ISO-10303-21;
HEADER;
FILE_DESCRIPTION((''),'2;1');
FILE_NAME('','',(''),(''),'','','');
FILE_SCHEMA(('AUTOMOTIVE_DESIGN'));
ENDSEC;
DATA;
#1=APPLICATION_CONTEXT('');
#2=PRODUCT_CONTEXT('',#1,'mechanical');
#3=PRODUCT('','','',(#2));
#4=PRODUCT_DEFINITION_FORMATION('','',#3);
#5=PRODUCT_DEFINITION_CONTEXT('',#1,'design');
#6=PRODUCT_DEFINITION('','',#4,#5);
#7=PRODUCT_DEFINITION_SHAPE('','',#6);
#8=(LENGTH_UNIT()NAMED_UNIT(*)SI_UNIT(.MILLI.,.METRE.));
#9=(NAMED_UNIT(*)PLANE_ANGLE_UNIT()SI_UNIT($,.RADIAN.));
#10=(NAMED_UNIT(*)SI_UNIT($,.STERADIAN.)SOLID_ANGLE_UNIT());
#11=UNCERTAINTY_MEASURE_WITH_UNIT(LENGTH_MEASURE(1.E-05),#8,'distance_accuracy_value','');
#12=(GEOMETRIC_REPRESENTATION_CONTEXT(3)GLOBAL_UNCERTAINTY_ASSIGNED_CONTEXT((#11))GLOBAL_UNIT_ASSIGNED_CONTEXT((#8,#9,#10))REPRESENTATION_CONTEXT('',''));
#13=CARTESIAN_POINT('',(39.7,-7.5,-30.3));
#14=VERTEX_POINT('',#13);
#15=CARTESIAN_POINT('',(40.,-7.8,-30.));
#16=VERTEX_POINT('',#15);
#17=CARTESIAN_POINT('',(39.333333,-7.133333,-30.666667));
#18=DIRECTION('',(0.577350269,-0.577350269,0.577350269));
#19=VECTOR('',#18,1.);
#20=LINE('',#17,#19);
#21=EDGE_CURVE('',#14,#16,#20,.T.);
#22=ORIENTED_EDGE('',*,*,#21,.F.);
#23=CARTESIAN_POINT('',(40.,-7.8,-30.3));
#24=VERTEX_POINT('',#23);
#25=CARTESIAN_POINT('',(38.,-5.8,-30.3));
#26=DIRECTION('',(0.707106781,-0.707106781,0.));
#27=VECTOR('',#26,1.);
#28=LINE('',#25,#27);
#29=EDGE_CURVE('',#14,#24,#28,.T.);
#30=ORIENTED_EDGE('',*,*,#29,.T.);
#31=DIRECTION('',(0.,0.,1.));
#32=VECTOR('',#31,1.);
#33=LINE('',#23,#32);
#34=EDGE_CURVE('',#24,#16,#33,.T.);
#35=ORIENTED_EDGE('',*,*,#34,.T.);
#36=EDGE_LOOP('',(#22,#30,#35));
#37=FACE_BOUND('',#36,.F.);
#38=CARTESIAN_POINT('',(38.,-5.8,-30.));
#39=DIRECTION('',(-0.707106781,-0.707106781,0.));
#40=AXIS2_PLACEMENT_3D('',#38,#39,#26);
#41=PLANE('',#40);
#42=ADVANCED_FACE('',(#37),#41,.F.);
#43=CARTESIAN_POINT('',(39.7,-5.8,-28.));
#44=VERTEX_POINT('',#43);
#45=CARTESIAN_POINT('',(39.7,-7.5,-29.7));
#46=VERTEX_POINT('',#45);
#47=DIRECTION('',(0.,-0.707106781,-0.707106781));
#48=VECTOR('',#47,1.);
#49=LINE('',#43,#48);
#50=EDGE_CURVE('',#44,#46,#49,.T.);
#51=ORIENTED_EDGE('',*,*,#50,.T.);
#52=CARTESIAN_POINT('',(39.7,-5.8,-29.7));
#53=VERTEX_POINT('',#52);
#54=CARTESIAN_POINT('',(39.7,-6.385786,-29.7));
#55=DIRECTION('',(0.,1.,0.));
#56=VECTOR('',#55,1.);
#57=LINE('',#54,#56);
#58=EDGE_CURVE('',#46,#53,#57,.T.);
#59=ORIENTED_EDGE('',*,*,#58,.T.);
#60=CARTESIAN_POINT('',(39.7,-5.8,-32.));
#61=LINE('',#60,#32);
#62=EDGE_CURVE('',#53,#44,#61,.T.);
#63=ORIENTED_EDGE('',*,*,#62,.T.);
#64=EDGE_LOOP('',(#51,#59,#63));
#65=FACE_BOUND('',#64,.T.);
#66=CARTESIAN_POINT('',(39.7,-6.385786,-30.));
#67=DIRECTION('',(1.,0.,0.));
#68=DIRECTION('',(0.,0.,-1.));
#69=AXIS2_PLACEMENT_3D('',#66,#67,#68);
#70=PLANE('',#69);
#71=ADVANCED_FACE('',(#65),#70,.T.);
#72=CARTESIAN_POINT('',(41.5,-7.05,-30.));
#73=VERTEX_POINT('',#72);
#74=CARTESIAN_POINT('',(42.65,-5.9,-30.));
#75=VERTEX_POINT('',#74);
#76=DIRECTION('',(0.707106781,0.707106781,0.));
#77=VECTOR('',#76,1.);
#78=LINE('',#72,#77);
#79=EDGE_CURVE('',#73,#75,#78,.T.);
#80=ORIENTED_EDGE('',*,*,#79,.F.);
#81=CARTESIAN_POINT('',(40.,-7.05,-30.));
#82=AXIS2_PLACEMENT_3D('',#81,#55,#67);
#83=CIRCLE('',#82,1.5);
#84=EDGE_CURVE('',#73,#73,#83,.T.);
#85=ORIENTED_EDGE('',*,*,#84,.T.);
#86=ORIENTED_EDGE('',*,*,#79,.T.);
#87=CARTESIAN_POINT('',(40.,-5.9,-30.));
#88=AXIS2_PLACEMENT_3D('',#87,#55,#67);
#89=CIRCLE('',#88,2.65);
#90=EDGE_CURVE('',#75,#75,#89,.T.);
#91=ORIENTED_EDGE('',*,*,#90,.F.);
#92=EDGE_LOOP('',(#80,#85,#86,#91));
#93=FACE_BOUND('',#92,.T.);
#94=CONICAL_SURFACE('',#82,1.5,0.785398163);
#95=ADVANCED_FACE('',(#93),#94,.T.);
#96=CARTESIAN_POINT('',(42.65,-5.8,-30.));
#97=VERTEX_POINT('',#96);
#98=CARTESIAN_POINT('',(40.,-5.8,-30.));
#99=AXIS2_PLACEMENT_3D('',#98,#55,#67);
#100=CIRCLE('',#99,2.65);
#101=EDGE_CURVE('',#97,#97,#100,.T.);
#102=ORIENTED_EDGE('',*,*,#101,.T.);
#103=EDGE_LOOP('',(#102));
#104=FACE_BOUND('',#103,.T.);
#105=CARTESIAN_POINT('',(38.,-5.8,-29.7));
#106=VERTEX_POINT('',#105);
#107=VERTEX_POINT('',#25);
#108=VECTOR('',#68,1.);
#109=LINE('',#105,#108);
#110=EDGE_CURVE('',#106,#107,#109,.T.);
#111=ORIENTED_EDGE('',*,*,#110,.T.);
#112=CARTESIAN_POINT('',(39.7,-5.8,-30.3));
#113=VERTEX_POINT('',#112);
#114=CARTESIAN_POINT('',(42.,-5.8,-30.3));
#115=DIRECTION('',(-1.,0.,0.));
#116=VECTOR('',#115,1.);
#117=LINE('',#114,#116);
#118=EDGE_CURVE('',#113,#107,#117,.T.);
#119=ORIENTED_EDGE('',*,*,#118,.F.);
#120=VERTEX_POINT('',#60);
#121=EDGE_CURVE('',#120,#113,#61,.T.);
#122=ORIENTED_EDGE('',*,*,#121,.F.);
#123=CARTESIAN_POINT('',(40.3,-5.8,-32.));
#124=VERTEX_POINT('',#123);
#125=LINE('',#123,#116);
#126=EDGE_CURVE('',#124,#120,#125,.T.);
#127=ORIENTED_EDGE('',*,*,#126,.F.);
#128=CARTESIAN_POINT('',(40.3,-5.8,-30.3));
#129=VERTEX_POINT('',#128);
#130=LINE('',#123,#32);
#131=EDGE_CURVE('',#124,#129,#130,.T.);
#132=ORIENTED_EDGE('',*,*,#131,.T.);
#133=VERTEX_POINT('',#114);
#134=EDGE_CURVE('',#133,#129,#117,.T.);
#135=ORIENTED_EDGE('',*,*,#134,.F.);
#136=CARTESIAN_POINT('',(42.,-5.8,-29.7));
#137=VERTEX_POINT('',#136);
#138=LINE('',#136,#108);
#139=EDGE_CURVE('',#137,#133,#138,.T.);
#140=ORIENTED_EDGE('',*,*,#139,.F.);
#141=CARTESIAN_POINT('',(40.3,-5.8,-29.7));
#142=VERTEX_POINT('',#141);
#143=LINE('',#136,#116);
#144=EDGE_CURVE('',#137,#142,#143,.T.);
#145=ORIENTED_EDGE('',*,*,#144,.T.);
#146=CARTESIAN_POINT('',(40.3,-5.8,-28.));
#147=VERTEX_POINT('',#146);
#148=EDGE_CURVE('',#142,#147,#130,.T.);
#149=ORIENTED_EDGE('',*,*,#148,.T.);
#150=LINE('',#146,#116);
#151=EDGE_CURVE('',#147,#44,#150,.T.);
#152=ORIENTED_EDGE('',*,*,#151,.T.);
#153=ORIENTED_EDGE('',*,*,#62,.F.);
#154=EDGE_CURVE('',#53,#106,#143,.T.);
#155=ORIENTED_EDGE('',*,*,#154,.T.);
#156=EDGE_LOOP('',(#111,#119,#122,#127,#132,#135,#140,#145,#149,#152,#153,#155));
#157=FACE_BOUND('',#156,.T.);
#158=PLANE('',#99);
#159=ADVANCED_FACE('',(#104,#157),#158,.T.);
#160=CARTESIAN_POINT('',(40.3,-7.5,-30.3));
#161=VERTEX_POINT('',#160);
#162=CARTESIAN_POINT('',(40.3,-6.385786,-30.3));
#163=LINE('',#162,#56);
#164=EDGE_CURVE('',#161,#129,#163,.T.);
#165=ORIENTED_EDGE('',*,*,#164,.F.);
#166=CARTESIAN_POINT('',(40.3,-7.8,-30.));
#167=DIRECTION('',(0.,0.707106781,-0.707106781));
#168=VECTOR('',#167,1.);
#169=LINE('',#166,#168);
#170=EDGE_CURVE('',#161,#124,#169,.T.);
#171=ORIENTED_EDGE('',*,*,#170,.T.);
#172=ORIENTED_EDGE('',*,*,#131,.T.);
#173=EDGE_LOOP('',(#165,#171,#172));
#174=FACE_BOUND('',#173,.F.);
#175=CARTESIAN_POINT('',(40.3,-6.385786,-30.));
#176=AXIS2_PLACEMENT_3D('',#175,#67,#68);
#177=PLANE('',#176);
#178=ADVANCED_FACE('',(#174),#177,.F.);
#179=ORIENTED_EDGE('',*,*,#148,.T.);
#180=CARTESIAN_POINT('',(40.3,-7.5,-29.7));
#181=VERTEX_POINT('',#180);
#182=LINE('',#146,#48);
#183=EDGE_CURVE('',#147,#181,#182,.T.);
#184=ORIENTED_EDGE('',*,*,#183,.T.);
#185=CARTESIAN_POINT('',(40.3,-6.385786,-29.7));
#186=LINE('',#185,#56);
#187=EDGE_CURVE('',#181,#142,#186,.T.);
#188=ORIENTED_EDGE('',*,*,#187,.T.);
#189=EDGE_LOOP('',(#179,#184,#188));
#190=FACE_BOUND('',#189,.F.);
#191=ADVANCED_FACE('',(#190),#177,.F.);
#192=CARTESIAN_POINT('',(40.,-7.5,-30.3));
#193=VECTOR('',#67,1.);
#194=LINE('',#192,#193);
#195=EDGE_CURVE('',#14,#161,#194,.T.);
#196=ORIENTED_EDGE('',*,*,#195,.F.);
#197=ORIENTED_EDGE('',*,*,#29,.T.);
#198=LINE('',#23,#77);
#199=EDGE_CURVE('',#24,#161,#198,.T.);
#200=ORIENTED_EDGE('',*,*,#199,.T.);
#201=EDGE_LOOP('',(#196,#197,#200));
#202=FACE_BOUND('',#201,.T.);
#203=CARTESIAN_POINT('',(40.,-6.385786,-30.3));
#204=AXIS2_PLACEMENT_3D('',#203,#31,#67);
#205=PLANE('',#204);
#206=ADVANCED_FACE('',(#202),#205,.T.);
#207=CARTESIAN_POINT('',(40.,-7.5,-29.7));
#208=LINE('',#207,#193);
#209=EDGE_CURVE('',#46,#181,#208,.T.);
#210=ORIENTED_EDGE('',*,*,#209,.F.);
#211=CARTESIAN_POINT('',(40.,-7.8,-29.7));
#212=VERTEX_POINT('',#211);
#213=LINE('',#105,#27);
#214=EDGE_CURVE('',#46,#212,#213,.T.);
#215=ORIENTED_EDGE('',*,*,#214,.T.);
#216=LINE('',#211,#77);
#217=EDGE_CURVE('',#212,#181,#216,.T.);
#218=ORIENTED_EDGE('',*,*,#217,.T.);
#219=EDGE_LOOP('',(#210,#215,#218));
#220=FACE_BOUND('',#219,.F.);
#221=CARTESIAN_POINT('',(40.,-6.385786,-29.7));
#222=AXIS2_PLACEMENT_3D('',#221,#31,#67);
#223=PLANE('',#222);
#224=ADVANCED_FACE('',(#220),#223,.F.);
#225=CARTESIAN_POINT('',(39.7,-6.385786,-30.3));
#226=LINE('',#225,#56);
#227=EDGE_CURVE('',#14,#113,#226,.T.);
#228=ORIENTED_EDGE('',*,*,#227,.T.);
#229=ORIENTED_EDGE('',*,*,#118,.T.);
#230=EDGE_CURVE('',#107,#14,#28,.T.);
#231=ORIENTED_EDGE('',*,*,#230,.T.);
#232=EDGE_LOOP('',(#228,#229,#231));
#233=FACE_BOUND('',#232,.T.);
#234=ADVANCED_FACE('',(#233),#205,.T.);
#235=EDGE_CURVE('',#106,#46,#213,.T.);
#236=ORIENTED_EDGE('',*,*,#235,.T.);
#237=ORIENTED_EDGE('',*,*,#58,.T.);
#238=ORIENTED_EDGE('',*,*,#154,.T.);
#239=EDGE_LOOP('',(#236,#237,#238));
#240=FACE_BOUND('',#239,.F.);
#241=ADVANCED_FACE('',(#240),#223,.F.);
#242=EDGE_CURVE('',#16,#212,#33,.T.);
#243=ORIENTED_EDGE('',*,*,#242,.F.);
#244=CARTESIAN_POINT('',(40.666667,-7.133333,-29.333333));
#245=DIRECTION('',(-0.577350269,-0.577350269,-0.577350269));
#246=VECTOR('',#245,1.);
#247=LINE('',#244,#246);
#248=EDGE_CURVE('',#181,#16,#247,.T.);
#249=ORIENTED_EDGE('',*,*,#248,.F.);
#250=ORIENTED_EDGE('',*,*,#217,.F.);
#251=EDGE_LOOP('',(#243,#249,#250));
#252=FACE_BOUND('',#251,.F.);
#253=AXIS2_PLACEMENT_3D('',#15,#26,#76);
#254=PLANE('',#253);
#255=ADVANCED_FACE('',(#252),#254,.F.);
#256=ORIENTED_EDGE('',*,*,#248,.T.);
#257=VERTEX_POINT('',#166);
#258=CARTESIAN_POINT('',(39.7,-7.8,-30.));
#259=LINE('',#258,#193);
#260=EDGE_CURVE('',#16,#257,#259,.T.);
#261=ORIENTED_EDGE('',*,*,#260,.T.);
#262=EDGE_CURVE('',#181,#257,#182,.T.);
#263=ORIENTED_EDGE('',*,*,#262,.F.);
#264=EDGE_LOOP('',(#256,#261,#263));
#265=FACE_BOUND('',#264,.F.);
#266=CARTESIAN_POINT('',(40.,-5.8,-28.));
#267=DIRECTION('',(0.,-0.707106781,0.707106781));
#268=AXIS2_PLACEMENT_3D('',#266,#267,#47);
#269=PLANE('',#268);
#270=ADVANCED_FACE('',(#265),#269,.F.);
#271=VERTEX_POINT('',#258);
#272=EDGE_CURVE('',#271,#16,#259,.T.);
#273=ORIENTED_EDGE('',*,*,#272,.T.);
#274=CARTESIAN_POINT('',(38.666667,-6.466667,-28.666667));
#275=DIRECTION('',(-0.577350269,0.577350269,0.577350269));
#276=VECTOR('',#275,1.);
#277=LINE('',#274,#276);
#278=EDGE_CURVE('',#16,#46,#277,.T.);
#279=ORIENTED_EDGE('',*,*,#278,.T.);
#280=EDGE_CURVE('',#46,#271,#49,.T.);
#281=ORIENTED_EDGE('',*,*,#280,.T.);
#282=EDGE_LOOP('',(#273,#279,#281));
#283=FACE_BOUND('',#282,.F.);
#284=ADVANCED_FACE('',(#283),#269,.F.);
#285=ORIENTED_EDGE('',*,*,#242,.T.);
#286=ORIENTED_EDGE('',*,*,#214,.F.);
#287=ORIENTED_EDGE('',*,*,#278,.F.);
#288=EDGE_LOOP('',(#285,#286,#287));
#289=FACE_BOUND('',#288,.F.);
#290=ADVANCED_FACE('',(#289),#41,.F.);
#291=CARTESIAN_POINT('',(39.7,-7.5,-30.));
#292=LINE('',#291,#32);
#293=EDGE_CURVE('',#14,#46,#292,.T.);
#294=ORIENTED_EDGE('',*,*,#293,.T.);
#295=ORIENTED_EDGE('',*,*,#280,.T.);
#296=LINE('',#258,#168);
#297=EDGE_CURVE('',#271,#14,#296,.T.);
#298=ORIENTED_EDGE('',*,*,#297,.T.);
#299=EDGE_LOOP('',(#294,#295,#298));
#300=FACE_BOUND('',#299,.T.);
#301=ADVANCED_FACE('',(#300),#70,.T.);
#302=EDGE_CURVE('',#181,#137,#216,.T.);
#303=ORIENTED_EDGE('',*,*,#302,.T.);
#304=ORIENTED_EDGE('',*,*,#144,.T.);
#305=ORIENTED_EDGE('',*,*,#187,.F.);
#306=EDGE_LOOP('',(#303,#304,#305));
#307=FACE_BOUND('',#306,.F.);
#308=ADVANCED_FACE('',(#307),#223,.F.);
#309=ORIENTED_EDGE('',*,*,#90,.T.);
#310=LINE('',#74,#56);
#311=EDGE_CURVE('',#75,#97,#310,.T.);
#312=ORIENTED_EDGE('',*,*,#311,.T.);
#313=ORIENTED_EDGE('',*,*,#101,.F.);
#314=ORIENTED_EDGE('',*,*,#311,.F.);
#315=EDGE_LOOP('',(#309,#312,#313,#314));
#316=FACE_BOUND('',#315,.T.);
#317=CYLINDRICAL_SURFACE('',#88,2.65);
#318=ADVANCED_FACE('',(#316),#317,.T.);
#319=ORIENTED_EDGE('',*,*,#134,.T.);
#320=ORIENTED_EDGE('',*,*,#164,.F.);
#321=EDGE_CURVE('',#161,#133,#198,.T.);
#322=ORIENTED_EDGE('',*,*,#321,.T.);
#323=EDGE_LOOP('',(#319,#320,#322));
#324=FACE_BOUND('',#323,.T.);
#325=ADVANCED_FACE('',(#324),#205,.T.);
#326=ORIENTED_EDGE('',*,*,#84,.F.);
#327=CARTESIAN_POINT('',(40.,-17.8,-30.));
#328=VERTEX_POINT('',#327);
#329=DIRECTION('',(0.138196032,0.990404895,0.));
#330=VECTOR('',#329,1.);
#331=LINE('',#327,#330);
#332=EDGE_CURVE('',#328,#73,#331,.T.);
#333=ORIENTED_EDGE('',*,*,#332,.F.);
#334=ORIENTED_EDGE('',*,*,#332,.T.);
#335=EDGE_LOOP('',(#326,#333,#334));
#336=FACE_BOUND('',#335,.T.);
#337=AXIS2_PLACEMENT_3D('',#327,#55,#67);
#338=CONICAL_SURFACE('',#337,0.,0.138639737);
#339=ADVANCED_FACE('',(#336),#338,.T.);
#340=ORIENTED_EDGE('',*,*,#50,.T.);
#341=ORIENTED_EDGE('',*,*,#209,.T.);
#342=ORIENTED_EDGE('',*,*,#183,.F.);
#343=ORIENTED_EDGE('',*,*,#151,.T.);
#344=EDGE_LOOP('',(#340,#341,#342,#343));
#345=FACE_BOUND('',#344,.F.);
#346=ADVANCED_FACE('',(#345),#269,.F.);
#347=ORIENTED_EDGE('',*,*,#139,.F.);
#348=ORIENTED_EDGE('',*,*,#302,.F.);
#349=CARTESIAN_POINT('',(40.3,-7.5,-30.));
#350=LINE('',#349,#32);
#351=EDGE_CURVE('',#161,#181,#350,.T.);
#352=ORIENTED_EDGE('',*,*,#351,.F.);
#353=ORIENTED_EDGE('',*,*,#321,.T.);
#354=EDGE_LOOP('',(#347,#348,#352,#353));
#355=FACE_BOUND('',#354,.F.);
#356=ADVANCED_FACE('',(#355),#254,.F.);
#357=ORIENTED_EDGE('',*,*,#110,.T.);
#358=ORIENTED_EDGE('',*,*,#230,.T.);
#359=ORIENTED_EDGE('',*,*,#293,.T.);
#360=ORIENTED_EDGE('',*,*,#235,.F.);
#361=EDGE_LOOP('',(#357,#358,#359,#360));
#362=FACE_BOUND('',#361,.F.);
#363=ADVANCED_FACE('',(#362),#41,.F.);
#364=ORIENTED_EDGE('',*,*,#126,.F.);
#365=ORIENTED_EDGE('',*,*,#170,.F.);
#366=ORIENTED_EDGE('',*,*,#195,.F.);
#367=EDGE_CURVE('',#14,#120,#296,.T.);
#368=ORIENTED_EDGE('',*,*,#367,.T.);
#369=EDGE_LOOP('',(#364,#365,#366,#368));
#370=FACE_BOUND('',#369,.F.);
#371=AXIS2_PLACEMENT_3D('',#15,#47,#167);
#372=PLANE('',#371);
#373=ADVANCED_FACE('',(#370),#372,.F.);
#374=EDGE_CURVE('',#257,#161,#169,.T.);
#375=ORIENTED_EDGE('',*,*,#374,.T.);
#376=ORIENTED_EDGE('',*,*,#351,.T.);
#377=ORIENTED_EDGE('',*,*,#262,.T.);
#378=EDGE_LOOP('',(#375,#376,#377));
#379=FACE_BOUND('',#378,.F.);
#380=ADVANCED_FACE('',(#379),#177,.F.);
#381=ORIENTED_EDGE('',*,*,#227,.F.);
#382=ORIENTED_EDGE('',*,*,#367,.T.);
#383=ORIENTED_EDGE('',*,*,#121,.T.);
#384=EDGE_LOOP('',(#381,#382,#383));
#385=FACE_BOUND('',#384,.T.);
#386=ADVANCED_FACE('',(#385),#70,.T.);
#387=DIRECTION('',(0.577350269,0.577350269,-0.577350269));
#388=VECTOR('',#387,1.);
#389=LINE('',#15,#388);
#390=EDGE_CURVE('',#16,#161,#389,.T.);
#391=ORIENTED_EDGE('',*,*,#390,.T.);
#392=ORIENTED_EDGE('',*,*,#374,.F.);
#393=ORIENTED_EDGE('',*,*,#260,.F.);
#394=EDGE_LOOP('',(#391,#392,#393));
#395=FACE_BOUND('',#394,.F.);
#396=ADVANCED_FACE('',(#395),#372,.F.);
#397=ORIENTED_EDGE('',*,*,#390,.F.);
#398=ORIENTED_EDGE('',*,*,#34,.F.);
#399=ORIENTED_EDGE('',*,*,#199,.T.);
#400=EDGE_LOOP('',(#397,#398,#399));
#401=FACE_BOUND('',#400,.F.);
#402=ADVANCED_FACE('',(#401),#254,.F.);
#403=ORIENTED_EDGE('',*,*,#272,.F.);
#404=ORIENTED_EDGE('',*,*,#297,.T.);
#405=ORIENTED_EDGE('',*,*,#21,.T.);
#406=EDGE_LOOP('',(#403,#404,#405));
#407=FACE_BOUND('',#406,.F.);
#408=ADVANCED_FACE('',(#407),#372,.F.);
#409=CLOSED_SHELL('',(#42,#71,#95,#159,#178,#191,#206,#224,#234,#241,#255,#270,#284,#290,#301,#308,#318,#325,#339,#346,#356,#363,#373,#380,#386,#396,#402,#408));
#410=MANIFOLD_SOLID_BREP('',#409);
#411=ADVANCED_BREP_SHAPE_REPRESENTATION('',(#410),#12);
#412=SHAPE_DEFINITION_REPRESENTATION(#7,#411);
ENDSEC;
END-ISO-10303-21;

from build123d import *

# Parameters (mm, degrees)
POCKET022_DEPTH         = 0.3
POLARPATTERN004_COUNT   = 2
POLARPATTERN004_ANGLE   = 90
BODY019_PLACEMENT_ANGLE = 90


with BuildPart() as part:
    # Sketch099 → Revolution007 (revolve)
    with BuildSketch(Plane.XZ):
        Polygon((0, 0), (0, -12), (1.5, -1.25), (2.65, -0.1), (2.65, 0), align=None)
    revolve(axis=Axis((0, 0, 0), (0, 0, 1)))

    # Sketch098 → Pocket022 (cut, symmetric)
    with BuildSketch(Plane.XZ):
        Polygon((-2, 0), (0, -2), (2, 0), align=None)
    pocket022 = extrude(amount=POCKET022_DEPTH, both=True, mode=Mode.SUBTRACT)

    # PolarPattern004: Pocket022 ×2 about axis
    polarpattern004_axis = Axis((0, 0, 0), (0, 0, 1))
    for i in range(1, POLARPATTERN004_COUNT):
        add(pocket022.rotate(polarpattern004_axis, i * POLARPATTERN004_ANGLE / (POLARPATTERN004_COUNT - 1)), mode=Mode.SUBTRACT)


with BuildPart() as part_1:
    # Body019 placement: moved
    add(part.part.moved(Location((40, -5.8, -30))).rotate(Axis((40, -5.8, -30), (-1, 0, 0)), BODY019_PLACEMENT_ANGLE))


solid = part_1.part
